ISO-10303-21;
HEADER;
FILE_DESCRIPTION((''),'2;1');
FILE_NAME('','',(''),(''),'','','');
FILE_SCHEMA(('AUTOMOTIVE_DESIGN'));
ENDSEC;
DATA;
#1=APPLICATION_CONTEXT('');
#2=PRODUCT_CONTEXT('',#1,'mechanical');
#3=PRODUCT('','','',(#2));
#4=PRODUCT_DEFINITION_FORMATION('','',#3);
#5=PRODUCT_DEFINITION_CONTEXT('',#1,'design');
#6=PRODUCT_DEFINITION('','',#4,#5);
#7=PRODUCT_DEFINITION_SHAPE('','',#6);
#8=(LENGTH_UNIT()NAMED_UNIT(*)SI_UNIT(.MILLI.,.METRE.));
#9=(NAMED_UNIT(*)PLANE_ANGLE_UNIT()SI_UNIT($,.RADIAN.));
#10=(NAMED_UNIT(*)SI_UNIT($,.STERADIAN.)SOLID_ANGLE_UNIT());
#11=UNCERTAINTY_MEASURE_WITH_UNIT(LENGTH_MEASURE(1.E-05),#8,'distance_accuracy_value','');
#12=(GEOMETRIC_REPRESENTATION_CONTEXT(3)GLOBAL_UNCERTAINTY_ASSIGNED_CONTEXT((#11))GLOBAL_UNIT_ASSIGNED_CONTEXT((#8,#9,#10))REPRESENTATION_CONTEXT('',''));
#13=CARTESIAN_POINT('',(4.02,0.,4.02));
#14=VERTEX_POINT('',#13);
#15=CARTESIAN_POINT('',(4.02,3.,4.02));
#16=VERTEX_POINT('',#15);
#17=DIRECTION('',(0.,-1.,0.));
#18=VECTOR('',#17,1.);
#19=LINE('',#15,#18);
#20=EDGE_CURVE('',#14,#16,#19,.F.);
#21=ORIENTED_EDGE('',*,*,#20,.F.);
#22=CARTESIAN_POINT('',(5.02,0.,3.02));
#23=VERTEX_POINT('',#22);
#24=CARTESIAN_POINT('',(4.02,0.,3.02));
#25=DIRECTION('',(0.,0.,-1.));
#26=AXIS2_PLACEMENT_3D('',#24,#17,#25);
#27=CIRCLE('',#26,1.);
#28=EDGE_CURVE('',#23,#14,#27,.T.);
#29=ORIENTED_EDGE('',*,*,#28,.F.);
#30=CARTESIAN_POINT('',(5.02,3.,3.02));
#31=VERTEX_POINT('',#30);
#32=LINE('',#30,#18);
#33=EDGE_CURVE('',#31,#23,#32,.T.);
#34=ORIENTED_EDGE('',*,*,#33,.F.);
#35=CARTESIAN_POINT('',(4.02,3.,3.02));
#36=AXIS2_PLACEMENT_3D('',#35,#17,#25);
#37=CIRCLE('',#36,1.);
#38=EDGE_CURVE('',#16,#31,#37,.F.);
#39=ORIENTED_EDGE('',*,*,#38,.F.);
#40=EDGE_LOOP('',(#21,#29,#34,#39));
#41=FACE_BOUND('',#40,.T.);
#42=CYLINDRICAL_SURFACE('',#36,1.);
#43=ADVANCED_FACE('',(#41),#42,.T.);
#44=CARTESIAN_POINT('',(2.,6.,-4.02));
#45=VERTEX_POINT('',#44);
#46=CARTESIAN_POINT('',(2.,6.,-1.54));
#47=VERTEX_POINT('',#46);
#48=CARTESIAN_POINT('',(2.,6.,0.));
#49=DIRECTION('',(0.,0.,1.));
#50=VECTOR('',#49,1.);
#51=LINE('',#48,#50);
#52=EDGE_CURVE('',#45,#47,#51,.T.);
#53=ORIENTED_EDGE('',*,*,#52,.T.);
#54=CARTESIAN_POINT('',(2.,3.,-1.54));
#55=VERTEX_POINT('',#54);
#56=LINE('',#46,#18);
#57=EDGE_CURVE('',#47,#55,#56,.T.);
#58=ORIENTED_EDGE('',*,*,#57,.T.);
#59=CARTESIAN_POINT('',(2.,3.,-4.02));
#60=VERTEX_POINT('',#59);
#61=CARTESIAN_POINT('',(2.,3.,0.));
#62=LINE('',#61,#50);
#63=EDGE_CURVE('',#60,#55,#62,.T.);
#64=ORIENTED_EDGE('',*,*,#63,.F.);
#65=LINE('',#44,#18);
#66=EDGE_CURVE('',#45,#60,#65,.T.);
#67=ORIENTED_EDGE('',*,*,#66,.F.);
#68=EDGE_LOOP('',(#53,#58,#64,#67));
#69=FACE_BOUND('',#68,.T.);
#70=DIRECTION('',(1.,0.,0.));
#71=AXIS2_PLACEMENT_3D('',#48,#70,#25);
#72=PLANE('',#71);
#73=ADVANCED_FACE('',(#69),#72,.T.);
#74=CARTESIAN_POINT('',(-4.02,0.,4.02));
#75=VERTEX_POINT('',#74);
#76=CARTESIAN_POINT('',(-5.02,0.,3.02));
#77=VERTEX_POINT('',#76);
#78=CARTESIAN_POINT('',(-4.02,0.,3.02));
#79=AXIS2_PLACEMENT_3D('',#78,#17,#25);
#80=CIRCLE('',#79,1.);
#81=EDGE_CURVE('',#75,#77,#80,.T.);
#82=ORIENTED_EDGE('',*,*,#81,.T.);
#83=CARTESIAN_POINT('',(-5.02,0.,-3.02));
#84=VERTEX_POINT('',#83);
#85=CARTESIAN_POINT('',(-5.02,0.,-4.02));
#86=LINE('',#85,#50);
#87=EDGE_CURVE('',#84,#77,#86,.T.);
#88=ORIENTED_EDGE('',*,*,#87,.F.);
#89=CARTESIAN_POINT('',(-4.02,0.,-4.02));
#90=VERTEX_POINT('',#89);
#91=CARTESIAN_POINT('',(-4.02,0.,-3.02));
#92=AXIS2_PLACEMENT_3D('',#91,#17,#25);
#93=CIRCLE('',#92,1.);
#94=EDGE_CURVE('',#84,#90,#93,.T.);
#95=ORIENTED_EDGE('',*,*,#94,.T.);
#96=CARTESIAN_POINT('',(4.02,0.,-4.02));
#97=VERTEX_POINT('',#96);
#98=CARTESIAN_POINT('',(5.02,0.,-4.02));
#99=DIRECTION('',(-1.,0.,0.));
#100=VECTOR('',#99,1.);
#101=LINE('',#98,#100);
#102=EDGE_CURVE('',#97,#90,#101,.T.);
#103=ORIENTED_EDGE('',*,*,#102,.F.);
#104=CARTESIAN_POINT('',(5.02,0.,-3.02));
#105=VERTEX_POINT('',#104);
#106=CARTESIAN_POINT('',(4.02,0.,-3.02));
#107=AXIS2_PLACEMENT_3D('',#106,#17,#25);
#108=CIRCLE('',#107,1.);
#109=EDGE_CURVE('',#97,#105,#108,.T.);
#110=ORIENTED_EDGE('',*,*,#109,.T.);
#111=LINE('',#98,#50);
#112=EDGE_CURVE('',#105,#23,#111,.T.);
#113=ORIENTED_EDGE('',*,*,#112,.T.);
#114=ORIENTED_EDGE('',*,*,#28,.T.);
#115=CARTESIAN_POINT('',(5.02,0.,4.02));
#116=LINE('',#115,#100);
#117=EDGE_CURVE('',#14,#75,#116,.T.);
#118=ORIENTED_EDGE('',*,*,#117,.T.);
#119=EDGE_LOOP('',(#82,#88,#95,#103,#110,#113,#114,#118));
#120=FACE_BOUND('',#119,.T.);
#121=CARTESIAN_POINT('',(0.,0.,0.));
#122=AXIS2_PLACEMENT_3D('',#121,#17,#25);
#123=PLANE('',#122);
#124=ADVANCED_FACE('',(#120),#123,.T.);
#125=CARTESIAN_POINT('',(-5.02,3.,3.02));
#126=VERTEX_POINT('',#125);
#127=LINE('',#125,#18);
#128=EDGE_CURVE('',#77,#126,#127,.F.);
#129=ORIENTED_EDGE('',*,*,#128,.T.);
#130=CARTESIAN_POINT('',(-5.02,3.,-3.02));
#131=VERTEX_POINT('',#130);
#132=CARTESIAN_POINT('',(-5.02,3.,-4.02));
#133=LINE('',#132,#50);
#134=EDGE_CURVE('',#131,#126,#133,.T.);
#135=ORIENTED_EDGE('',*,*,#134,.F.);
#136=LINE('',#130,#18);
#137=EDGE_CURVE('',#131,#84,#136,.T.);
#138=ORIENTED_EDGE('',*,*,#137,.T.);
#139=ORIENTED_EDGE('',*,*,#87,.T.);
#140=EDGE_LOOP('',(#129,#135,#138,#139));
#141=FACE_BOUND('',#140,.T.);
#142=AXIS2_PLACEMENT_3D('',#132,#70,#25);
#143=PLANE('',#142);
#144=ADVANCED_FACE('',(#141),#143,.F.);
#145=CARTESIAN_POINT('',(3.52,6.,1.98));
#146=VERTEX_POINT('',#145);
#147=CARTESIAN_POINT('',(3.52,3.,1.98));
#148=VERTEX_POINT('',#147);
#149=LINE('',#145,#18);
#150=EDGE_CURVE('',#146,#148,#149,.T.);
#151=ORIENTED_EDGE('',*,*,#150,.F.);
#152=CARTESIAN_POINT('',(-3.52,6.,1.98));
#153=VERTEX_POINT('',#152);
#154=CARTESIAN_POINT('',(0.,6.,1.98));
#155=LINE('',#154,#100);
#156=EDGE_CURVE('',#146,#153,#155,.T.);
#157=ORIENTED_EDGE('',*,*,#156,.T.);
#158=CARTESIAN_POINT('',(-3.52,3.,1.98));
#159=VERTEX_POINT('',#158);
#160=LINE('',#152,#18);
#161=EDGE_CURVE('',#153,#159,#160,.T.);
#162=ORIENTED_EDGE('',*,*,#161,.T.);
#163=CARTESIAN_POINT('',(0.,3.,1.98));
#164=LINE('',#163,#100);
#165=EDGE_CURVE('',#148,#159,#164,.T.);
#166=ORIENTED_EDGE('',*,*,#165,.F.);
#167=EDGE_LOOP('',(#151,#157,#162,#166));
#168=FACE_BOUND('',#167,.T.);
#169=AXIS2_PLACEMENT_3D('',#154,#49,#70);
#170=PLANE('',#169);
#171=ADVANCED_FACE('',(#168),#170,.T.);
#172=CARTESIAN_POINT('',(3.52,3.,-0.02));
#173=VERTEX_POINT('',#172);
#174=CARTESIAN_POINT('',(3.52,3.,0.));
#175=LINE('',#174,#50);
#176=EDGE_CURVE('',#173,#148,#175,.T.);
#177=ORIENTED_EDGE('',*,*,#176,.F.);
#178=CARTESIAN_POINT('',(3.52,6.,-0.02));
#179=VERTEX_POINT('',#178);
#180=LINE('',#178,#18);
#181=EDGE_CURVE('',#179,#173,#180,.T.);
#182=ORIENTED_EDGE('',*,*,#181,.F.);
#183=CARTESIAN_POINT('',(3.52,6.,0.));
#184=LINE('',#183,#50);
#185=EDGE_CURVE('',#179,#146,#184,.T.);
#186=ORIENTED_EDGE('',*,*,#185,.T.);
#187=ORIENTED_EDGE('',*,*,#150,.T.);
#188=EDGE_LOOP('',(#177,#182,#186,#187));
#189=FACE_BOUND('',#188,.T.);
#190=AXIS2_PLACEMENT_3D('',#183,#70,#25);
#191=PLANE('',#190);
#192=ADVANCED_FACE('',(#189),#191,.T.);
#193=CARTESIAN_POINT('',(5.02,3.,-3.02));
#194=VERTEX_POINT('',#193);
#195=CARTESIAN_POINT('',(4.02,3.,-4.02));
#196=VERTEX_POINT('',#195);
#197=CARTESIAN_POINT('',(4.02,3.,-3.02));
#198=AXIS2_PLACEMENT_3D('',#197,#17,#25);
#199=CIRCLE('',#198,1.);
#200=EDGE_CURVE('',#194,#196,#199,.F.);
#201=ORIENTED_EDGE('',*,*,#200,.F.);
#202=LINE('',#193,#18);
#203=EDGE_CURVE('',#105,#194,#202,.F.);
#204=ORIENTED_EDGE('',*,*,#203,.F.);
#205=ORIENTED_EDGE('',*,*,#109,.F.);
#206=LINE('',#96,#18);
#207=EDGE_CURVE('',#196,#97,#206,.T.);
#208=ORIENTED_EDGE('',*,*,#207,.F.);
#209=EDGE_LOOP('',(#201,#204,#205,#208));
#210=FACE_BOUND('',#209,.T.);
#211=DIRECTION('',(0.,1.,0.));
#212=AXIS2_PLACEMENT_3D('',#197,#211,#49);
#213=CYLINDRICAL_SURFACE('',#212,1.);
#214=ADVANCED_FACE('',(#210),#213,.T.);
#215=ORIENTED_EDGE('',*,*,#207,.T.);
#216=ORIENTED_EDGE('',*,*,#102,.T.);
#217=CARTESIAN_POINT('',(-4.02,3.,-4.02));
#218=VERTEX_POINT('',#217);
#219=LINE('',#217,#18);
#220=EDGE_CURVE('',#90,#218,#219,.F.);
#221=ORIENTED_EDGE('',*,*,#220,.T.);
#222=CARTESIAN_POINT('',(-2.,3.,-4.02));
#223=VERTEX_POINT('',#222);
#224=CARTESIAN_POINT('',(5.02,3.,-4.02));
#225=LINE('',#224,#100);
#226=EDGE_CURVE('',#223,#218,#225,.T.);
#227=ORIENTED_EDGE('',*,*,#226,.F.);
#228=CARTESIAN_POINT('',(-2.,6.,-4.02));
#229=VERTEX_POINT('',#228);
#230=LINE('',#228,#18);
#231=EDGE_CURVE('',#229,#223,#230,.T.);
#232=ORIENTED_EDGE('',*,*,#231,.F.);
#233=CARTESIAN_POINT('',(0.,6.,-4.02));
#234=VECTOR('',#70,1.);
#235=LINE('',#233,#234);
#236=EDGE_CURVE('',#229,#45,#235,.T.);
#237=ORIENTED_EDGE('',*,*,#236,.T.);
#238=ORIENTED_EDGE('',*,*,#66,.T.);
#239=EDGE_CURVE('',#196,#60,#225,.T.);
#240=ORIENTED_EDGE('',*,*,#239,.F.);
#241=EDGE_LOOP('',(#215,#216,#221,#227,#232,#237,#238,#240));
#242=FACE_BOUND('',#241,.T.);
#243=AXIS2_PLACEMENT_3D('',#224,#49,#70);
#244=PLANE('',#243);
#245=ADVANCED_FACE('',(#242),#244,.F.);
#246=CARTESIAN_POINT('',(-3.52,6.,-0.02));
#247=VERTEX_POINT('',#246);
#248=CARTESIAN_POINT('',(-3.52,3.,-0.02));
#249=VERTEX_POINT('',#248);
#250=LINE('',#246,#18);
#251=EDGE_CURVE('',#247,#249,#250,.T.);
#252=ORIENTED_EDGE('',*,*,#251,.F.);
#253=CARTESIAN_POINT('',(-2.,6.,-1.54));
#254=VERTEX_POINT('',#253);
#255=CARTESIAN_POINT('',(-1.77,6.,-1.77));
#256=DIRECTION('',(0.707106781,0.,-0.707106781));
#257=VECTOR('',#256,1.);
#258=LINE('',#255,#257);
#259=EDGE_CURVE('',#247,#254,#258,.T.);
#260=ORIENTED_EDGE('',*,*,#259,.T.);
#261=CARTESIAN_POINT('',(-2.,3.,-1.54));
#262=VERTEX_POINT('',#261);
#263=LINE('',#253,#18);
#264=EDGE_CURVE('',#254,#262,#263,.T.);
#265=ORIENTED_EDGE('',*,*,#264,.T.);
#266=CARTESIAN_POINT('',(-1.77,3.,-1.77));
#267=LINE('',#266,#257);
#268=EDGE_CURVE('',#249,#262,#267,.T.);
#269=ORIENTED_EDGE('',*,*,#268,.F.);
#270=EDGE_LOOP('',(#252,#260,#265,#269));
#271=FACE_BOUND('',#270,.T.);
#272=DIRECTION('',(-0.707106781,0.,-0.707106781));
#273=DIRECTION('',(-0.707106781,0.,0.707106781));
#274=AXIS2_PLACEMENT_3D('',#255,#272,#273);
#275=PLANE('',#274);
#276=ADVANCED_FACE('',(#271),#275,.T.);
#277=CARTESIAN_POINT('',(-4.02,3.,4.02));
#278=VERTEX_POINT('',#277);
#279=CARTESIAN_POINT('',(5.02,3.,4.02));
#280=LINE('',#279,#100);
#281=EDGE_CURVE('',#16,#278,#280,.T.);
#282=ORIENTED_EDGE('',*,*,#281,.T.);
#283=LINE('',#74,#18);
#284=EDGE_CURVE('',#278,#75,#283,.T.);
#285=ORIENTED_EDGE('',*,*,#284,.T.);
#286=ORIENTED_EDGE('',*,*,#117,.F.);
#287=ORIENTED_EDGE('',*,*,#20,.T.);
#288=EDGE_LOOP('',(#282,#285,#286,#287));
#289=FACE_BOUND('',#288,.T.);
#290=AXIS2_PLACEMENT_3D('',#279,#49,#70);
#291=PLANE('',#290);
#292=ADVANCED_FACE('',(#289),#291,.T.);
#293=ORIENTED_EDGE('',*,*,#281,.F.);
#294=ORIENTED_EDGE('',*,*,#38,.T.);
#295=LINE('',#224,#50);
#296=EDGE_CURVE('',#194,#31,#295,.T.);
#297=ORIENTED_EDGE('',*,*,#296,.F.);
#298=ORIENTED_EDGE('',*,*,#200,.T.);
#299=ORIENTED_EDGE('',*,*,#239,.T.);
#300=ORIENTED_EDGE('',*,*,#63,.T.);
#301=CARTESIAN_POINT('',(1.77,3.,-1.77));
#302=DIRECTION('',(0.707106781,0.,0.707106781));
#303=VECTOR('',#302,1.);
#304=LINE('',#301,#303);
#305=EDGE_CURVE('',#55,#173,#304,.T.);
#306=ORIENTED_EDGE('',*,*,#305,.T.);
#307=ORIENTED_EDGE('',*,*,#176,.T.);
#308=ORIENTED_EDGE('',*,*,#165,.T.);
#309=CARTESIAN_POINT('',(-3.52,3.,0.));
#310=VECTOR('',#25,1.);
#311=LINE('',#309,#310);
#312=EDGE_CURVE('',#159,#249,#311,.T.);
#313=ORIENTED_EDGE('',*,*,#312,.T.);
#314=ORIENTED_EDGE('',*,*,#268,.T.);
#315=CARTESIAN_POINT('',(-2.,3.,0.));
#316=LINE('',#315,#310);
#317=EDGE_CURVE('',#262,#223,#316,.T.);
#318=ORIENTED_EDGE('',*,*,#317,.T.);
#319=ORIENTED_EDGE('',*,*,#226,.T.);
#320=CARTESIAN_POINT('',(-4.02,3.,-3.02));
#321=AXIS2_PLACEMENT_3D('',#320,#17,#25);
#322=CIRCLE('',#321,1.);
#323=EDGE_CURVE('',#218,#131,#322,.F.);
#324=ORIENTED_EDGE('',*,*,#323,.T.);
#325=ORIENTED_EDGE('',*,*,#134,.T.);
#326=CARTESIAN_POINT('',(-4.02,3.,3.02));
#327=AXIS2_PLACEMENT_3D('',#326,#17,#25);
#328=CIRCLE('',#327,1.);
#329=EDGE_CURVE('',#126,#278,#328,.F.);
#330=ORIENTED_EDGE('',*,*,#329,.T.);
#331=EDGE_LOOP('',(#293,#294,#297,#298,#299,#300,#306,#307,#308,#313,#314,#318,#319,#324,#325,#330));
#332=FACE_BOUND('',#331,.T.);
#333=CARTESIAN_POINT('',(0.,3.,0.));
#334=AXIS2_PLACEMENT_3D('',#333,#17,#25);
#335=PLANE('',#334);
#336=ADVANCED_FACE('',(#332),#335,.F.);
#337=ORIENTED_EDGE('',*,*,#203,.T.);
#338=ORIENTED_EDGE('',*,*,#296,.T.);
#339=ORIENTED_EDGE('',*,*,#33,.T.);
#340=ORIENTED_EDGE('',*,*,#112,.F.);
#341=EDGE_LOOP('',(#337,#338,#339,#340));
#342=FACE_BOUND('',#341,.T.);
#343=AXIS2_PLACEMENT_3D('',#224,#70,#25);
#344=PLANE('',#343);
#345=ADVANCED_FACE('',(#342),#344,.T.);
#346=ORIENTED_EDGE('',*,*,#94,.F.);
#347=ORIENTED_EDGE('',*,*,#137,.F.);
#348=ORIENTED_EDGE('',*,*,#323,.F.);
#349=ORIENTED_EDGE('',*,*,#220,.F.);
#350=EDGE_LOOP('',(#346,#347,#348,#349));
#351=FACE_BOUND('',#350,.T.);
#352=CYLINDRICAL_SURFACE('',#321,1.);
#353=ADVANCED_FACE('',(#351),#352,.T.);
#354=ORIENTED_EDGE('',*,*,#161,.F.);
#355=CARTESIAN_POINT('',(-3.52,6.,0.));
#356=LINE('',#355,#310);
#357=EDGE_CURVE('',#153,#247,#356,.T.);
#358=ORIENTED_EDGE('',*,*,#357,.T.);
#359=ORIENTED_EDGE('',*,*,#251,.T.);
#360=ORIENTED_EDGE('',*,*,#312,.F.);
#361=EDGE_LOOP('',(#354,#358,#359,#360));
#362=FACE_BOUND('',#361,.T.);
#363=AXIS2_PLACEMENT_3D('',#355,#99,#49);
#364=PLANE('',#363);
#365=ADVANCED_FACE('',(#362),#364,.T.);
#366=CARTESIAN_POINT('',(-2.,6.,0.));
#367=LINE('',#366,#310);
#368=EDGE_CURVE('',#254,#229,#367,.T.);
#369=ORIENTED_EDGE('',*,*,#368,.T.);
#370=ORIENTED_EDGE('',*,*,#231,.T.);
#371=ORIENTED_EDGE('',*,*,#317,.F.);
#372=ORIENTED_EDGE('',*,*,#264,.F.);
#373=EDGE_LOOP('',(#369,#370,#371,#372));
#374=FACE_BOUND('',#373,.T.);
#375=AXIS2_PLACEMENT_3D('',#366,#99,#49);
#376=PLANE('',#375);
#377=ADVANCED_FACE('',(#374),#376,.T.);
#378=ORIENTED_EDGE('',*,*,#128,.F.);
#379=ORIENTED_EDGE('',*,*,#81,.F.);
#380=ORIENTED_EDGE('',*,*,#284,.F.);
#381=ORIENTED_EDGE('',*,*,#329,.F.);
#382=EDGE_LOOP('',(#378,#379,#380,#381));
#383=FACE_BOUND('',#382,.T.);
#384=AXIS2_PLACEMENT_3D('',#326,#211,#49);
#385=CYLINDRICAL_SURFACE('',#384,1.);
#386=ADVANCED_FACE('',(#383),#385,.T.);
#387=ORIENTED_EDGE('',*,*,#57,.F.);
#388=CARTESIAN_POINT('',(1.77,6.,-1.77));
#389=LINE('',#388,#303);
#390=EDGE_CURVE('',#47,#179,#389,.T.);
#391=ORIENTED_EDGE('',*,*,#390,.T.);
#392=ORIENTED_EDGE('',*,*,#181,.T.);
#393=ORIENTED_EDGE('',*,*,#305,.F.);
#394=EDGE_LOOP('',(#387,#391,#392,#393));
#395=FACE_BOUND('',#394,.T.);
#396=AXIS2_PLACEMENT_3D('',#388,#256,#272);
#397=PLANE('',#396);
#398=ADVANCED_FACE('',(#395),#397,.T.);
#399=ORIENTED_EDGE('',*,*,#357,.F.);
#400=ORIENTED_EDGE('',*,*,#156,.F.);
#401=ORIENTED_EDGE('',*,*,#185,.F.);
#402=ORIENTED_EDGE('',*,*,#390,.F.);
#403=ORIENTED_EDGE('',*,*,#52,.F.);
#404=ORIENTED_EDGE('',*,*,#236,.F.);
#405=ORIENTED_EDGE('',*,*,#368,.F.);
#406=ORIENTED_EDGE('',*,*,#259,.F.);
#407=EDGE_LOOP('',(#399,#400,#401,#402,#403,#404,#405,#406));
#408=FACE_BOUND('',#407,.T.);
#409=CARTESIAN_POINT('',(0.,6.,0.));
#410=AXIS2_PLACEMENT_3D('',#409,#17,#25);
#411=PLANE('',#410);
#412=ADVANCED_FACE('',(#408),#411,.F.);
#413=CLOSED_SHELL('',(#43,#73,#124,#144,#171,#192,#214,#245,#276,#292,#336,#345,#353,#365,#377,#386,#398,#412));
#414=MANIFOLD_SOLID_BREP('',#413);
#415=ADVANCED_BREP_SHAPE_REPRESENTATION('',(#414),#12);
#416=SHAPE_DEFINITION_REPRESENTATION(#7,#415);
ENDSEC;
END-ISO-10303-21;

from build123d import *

# Parameters (mm, degrees)
SKETCH1_W           = 10.04
SKETCH1_H           = 8.04
BOSS_EXTRUDE1_DEPTH = 3
BOSS_EXTRUDE2_START = 3
BOSS_EXTRUDE2_DEPTH = 3
FILLET2_R           = 1


with BuildPart() as part:
    # Sketch1 → Boss-Extrude1 (new body)
    with BuildSketch(Plane(origin=(0, 0, 0), x_dir=(1, 0, 0), z_dir=(0, 1, 0))):
        Rectangle(SKETCH1_W, SKETCH1_H)
    extrude(amount=BOSS_EXTRUDE1_DEPTH)

    # Sketch1<3> → Boss-Extrude2 (add)
    with BuildSketch(Plane(origin=(0, 0, 0), x_dir=(1, 0, 0), z_dir=(0, 1, 0)).offset(BOSS_EXTRUDE2_START)):
        Polygon((-2, 0.02), (-2, 4.02), (2, 4.02), (2, 0.02), (3.52, 0.02), (3.52, -1.98), (-3.52, -1.98), (-3.52, 0.02), align=None)
        Polygon((-2, 0.02), (-2, 1.54), (-3.52, 0.02), align=None)
        Polygon((3.52, 0.02), (2, 1.54), (2, 0.02), align=None)
    extrude(amount=BOSS_EXTRUDE2_DEPTH)

    # Fillet2
    fillet2_edges = [part.edges().sort_by_distance(p)[0] for p in [
        (5.02, 1.5, -4.02),
        (-5.02, 1.5, -4.02),
        (-5.02, 1.5, 4.02),
        (5.02, 1.5, 4.02),
    ]]
    fillet(fillet2_edges, radius=FILLET2_R)


solid = part.part
